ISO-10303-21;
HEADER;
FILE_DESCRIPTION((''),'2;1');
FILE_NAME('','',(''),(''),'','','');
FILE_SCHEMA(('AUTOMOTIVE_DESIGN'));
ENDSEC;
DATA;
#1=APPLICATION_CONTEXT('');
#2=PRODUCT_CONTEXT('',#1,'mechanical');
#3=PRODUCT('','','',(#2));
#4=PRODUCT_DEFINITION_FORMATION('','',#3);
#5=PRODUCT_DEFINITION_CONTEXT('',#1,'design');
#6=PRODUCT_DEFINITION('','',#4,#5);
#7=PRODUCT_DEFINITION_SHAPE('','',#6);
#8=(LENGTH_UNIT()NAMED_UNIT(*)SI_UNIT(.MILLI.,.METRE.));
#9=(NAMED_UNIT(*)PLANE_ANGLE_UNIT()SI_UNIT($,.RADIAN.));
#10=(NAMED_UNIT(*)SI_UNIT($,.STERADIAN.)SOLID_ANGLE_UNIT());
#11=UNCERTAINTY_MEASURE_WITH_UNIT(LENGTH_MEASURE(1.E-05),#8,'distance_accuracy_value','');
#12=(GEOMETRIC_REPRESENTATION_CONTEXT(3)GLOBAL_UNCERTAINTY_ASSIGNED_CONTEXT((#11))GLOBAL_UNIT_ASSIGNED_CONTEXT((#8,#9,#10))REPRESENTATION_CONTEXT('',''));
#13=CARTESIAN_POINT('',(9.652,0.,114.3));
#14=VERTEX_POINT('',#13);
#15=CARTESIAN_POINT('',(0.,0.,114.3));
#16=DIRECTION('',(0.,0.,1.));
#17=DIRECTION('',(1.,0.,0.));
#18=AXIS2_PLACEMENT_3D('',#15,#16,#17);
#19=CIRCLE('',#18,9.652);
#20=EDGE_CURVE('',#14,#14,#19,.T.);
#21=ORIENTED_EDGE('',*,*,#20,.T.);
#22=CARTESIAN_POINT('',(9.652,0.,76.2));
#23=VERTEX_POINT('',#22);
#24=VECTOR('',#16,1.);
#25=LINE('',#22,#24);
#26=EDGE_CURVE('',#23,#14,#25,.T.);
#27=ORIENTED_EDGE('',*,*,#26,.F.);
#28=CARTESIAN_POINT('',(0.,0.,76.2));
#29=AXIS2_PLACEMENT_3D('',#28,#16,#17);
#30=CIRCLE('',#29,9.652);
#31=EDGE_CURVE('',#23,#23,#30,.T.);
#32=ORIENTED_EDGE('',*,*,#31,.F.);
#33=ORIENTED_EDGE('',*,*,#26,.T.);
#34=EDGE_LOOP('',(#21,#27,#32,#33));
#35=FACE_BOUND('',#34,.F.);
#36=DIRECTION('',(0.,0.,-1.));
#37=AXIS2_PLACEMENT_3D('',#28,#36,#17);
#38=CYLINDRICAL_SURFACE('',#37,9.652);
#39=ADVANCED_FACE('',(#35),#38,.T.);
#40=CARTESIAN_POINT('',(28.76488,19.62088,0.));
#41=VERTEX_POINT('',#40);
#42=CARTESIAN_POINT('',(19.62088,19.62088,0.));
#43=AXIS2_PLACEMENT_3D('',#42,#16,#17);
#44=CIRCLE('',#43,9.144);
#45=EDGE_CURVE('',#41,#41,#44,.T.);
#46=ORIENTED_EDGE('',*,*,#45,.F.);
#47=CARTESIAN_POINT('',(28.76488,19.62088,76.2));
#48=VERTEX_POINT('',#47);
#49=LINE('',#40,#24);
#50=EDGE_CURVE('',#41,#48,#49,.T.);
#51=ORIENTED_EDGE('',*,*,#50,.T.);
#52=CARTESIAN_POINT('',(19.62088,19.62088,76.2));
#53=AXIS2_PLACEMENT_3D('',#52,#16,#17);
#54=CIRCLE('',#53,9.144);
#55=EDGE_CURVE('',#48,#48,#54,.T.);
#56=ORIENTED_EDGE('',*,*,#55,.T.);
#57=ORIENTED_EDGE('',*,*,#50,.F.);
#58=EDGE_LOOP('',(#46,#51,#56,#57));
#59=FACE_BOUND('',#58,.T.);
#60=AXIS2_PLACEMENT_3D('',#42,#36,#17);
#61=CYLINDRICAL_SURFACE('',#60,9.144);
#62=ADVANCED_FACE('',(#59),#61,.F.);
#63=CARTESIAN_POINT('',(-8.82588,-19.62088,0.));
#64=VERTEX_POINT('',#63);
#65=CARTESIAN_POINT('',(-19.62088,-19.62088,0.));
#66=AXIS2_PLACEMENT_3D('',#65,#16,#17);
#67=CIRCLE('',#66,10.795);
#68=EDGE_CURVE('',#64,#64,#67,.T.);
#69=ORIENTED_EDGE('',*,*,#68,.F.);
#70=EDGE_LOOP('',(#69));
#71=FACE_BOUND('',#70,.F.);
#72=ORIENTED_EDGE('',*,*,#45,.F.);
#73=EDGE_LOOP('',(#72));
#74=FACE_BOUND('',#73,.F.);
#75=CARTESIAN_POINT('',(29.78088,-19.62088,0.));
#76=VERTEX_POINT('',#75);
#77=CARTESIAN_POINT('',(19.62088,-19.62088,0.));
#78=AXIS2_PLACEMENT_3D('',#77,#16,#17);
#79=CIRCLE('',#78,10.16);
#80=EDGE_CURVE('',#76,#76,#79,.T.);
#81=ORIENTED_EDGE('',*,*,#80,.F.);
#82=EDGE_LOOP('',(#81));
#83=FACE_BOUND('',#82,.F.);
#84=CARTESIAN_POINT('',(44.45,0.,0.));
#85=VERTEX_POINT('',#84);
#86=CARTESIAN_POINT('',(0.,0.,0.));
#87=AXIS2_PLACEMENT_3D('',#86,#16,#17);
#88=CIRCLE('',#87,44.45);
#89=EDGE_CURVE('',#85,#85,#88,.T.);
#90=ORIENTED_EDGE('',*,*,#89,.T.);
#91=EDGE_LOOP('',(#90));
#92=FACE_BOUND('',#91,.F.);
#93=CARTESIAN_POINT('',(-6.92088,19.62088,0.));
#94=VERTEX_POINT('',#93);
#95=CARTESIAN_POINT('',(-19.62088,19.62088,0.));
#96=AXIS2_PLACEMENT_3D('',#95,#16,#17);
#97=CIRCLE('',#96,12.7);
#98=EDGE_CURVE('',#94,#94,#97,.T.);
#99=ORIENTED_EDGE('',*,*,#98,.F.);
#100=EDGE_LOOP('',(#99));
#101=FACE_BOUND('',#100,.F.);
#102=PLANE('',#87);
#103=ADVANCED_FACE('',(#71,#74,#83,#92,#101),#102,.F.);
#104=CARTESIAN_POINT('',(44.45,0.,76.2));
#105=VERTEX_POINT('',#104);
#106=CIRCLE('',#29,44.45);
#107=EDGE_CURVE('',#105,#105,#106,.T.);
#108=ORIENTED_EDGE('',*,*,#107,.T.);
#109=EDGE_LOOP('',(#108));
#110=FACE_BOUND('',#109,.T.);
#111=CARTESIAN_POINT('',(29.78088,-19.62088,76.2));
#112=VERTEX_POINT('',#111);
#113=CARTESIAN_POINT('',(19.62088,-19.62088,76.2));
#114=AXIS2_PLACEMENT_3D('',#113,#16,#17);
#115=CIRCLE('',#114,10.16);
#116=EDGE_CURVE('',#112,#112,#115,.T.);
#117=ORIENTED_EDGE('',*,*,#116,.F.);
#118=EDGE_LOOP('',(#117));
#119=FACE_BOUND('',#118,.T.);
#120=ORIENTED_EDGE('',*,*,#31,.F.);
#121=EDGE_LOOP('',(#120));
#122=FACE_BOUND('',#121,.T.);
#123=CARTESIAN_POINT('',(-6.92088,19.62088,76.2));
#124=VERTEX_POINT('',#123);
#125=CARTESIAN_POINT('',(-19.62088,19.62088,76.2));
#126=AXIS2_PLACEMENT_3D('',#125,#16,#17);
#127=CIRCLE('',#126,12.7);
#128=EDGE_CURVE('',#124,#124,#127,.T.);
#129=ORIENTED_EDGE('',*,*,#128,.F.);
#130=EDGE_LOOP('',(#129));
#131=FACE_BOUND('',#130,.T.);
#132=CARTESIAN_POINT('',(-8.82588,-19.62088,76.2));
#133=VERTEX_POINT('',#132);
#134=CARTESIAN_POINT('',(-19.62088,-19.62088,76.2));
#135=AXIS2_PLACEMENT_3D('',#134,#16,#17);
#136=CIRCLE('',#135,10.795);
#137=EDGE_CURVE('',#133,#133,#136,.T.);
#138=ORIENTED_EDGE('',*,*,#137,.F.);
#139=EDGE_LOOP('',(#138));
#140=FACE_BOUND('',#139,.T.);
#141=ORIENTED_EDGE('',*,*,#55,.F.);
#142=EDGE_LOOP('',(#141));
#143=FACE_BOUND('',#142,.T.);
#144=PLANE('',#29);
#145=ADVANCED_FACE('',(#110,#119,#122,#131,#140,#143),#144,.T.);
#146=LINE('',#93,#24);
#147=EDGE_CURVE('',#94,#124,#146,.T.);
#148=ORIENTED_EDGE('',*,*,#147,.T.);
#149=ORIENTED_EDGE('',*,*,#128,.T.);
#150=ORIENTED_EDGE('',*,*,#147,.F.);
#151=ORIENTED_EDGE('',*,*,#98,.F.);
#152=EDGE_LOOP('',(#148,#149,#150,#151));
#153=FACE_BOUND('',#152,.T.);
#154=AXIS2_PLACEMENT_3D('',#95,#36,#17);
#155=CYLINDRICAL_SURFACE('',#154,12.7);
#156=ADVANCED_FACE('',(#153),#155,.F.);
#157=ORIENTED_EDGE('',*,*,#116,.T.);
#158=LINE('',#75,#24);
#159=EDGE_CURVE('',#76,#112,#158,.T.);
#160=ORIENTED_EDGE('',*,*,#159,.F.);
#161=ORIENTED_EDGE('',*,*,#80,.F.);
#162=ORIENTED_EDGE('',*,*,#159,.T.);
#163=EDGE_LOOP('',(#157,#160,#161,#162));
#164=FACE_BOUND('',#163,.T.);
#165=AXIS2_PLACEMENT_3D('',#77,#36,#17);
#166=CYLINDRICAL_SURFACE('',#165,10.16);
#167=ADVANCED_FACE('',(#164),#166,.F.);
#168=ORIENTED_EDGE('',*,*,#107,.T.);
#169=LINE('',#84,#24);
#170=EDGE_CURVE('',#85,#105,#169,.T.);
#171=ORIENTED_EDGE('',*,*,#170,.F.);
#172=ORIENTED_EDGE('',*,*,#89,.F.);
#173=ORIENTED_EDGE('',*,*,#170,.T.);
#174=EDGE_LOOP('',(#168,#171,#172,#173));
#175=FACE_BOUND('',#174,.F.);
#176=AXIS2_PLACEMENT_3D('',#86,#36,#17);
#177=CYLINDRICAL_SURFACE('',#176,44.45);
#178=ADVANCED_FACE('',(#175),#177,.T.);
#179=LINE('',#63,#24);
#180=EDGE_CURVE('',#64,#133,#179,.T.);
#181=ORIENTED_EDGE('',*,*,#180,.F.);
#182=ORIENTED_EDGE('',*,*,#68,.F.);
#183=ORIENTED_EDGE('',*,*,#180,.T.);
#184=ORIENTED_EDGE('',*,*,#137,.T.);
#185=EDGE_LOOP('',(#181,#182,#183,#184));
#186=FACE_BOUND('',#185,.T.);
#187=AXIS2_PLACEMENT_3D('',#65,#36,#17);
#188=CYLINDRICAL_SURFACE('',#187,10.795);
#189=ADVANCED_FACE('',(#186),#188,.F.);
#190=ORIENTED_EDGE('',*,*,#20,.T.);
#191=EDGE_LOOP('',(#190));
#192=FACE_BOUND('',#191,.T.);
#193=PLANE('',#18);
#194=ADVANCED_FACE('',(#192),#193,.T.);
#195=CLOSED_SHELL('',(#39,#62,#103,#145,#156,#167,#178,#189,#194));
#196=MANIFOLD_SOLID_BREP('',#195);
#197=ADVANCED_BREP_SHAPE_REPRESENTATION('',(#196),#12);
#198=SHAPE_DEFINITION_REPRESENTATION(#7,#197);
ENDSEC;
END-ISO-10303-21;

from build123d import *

# Parameters (mm, degrees)
F0_R     = 44.45
F0_R_2   = 10.795
F0_R_3   = 10.16
F0_R_4   = 12.7
F0_R_5   = 9.144
F1_DEPTH = 76.2
F2_R     = 9.652
F3_DEPTH = 38.1


with BuildPart() as f1:
    # F0 (on Top) → F1 (new body)
    with BuildSketch(Plane.XY):
        Circle(F0_R)
        with Locations((-19.62088, -19.62088)):
            Circle(F0_R_2, mode=Mode.SUBTRACT)
        with Locations((19.62088, -19.62088)):
            Circle(F0_R_3, mode=Mode.SUBTRACT)
        with Locations((-19.62088, 19.62088)):
            Circle(F0_R_4, mode=Mode.SUBTRACT)
        with Locations((19.62088, 19.62088)):
            Circle(F0_R_5, mode=Mode.SUBTRACT)
    extrude(amount=F1_DEPTH)

    # F2 (on face) → F3 (join)
    with BuildSketch(Plane.XY.offset(76.2)):
        Circle(F2_R)
    extrude(amount=F3_DEPTH)


solid = f1.part
